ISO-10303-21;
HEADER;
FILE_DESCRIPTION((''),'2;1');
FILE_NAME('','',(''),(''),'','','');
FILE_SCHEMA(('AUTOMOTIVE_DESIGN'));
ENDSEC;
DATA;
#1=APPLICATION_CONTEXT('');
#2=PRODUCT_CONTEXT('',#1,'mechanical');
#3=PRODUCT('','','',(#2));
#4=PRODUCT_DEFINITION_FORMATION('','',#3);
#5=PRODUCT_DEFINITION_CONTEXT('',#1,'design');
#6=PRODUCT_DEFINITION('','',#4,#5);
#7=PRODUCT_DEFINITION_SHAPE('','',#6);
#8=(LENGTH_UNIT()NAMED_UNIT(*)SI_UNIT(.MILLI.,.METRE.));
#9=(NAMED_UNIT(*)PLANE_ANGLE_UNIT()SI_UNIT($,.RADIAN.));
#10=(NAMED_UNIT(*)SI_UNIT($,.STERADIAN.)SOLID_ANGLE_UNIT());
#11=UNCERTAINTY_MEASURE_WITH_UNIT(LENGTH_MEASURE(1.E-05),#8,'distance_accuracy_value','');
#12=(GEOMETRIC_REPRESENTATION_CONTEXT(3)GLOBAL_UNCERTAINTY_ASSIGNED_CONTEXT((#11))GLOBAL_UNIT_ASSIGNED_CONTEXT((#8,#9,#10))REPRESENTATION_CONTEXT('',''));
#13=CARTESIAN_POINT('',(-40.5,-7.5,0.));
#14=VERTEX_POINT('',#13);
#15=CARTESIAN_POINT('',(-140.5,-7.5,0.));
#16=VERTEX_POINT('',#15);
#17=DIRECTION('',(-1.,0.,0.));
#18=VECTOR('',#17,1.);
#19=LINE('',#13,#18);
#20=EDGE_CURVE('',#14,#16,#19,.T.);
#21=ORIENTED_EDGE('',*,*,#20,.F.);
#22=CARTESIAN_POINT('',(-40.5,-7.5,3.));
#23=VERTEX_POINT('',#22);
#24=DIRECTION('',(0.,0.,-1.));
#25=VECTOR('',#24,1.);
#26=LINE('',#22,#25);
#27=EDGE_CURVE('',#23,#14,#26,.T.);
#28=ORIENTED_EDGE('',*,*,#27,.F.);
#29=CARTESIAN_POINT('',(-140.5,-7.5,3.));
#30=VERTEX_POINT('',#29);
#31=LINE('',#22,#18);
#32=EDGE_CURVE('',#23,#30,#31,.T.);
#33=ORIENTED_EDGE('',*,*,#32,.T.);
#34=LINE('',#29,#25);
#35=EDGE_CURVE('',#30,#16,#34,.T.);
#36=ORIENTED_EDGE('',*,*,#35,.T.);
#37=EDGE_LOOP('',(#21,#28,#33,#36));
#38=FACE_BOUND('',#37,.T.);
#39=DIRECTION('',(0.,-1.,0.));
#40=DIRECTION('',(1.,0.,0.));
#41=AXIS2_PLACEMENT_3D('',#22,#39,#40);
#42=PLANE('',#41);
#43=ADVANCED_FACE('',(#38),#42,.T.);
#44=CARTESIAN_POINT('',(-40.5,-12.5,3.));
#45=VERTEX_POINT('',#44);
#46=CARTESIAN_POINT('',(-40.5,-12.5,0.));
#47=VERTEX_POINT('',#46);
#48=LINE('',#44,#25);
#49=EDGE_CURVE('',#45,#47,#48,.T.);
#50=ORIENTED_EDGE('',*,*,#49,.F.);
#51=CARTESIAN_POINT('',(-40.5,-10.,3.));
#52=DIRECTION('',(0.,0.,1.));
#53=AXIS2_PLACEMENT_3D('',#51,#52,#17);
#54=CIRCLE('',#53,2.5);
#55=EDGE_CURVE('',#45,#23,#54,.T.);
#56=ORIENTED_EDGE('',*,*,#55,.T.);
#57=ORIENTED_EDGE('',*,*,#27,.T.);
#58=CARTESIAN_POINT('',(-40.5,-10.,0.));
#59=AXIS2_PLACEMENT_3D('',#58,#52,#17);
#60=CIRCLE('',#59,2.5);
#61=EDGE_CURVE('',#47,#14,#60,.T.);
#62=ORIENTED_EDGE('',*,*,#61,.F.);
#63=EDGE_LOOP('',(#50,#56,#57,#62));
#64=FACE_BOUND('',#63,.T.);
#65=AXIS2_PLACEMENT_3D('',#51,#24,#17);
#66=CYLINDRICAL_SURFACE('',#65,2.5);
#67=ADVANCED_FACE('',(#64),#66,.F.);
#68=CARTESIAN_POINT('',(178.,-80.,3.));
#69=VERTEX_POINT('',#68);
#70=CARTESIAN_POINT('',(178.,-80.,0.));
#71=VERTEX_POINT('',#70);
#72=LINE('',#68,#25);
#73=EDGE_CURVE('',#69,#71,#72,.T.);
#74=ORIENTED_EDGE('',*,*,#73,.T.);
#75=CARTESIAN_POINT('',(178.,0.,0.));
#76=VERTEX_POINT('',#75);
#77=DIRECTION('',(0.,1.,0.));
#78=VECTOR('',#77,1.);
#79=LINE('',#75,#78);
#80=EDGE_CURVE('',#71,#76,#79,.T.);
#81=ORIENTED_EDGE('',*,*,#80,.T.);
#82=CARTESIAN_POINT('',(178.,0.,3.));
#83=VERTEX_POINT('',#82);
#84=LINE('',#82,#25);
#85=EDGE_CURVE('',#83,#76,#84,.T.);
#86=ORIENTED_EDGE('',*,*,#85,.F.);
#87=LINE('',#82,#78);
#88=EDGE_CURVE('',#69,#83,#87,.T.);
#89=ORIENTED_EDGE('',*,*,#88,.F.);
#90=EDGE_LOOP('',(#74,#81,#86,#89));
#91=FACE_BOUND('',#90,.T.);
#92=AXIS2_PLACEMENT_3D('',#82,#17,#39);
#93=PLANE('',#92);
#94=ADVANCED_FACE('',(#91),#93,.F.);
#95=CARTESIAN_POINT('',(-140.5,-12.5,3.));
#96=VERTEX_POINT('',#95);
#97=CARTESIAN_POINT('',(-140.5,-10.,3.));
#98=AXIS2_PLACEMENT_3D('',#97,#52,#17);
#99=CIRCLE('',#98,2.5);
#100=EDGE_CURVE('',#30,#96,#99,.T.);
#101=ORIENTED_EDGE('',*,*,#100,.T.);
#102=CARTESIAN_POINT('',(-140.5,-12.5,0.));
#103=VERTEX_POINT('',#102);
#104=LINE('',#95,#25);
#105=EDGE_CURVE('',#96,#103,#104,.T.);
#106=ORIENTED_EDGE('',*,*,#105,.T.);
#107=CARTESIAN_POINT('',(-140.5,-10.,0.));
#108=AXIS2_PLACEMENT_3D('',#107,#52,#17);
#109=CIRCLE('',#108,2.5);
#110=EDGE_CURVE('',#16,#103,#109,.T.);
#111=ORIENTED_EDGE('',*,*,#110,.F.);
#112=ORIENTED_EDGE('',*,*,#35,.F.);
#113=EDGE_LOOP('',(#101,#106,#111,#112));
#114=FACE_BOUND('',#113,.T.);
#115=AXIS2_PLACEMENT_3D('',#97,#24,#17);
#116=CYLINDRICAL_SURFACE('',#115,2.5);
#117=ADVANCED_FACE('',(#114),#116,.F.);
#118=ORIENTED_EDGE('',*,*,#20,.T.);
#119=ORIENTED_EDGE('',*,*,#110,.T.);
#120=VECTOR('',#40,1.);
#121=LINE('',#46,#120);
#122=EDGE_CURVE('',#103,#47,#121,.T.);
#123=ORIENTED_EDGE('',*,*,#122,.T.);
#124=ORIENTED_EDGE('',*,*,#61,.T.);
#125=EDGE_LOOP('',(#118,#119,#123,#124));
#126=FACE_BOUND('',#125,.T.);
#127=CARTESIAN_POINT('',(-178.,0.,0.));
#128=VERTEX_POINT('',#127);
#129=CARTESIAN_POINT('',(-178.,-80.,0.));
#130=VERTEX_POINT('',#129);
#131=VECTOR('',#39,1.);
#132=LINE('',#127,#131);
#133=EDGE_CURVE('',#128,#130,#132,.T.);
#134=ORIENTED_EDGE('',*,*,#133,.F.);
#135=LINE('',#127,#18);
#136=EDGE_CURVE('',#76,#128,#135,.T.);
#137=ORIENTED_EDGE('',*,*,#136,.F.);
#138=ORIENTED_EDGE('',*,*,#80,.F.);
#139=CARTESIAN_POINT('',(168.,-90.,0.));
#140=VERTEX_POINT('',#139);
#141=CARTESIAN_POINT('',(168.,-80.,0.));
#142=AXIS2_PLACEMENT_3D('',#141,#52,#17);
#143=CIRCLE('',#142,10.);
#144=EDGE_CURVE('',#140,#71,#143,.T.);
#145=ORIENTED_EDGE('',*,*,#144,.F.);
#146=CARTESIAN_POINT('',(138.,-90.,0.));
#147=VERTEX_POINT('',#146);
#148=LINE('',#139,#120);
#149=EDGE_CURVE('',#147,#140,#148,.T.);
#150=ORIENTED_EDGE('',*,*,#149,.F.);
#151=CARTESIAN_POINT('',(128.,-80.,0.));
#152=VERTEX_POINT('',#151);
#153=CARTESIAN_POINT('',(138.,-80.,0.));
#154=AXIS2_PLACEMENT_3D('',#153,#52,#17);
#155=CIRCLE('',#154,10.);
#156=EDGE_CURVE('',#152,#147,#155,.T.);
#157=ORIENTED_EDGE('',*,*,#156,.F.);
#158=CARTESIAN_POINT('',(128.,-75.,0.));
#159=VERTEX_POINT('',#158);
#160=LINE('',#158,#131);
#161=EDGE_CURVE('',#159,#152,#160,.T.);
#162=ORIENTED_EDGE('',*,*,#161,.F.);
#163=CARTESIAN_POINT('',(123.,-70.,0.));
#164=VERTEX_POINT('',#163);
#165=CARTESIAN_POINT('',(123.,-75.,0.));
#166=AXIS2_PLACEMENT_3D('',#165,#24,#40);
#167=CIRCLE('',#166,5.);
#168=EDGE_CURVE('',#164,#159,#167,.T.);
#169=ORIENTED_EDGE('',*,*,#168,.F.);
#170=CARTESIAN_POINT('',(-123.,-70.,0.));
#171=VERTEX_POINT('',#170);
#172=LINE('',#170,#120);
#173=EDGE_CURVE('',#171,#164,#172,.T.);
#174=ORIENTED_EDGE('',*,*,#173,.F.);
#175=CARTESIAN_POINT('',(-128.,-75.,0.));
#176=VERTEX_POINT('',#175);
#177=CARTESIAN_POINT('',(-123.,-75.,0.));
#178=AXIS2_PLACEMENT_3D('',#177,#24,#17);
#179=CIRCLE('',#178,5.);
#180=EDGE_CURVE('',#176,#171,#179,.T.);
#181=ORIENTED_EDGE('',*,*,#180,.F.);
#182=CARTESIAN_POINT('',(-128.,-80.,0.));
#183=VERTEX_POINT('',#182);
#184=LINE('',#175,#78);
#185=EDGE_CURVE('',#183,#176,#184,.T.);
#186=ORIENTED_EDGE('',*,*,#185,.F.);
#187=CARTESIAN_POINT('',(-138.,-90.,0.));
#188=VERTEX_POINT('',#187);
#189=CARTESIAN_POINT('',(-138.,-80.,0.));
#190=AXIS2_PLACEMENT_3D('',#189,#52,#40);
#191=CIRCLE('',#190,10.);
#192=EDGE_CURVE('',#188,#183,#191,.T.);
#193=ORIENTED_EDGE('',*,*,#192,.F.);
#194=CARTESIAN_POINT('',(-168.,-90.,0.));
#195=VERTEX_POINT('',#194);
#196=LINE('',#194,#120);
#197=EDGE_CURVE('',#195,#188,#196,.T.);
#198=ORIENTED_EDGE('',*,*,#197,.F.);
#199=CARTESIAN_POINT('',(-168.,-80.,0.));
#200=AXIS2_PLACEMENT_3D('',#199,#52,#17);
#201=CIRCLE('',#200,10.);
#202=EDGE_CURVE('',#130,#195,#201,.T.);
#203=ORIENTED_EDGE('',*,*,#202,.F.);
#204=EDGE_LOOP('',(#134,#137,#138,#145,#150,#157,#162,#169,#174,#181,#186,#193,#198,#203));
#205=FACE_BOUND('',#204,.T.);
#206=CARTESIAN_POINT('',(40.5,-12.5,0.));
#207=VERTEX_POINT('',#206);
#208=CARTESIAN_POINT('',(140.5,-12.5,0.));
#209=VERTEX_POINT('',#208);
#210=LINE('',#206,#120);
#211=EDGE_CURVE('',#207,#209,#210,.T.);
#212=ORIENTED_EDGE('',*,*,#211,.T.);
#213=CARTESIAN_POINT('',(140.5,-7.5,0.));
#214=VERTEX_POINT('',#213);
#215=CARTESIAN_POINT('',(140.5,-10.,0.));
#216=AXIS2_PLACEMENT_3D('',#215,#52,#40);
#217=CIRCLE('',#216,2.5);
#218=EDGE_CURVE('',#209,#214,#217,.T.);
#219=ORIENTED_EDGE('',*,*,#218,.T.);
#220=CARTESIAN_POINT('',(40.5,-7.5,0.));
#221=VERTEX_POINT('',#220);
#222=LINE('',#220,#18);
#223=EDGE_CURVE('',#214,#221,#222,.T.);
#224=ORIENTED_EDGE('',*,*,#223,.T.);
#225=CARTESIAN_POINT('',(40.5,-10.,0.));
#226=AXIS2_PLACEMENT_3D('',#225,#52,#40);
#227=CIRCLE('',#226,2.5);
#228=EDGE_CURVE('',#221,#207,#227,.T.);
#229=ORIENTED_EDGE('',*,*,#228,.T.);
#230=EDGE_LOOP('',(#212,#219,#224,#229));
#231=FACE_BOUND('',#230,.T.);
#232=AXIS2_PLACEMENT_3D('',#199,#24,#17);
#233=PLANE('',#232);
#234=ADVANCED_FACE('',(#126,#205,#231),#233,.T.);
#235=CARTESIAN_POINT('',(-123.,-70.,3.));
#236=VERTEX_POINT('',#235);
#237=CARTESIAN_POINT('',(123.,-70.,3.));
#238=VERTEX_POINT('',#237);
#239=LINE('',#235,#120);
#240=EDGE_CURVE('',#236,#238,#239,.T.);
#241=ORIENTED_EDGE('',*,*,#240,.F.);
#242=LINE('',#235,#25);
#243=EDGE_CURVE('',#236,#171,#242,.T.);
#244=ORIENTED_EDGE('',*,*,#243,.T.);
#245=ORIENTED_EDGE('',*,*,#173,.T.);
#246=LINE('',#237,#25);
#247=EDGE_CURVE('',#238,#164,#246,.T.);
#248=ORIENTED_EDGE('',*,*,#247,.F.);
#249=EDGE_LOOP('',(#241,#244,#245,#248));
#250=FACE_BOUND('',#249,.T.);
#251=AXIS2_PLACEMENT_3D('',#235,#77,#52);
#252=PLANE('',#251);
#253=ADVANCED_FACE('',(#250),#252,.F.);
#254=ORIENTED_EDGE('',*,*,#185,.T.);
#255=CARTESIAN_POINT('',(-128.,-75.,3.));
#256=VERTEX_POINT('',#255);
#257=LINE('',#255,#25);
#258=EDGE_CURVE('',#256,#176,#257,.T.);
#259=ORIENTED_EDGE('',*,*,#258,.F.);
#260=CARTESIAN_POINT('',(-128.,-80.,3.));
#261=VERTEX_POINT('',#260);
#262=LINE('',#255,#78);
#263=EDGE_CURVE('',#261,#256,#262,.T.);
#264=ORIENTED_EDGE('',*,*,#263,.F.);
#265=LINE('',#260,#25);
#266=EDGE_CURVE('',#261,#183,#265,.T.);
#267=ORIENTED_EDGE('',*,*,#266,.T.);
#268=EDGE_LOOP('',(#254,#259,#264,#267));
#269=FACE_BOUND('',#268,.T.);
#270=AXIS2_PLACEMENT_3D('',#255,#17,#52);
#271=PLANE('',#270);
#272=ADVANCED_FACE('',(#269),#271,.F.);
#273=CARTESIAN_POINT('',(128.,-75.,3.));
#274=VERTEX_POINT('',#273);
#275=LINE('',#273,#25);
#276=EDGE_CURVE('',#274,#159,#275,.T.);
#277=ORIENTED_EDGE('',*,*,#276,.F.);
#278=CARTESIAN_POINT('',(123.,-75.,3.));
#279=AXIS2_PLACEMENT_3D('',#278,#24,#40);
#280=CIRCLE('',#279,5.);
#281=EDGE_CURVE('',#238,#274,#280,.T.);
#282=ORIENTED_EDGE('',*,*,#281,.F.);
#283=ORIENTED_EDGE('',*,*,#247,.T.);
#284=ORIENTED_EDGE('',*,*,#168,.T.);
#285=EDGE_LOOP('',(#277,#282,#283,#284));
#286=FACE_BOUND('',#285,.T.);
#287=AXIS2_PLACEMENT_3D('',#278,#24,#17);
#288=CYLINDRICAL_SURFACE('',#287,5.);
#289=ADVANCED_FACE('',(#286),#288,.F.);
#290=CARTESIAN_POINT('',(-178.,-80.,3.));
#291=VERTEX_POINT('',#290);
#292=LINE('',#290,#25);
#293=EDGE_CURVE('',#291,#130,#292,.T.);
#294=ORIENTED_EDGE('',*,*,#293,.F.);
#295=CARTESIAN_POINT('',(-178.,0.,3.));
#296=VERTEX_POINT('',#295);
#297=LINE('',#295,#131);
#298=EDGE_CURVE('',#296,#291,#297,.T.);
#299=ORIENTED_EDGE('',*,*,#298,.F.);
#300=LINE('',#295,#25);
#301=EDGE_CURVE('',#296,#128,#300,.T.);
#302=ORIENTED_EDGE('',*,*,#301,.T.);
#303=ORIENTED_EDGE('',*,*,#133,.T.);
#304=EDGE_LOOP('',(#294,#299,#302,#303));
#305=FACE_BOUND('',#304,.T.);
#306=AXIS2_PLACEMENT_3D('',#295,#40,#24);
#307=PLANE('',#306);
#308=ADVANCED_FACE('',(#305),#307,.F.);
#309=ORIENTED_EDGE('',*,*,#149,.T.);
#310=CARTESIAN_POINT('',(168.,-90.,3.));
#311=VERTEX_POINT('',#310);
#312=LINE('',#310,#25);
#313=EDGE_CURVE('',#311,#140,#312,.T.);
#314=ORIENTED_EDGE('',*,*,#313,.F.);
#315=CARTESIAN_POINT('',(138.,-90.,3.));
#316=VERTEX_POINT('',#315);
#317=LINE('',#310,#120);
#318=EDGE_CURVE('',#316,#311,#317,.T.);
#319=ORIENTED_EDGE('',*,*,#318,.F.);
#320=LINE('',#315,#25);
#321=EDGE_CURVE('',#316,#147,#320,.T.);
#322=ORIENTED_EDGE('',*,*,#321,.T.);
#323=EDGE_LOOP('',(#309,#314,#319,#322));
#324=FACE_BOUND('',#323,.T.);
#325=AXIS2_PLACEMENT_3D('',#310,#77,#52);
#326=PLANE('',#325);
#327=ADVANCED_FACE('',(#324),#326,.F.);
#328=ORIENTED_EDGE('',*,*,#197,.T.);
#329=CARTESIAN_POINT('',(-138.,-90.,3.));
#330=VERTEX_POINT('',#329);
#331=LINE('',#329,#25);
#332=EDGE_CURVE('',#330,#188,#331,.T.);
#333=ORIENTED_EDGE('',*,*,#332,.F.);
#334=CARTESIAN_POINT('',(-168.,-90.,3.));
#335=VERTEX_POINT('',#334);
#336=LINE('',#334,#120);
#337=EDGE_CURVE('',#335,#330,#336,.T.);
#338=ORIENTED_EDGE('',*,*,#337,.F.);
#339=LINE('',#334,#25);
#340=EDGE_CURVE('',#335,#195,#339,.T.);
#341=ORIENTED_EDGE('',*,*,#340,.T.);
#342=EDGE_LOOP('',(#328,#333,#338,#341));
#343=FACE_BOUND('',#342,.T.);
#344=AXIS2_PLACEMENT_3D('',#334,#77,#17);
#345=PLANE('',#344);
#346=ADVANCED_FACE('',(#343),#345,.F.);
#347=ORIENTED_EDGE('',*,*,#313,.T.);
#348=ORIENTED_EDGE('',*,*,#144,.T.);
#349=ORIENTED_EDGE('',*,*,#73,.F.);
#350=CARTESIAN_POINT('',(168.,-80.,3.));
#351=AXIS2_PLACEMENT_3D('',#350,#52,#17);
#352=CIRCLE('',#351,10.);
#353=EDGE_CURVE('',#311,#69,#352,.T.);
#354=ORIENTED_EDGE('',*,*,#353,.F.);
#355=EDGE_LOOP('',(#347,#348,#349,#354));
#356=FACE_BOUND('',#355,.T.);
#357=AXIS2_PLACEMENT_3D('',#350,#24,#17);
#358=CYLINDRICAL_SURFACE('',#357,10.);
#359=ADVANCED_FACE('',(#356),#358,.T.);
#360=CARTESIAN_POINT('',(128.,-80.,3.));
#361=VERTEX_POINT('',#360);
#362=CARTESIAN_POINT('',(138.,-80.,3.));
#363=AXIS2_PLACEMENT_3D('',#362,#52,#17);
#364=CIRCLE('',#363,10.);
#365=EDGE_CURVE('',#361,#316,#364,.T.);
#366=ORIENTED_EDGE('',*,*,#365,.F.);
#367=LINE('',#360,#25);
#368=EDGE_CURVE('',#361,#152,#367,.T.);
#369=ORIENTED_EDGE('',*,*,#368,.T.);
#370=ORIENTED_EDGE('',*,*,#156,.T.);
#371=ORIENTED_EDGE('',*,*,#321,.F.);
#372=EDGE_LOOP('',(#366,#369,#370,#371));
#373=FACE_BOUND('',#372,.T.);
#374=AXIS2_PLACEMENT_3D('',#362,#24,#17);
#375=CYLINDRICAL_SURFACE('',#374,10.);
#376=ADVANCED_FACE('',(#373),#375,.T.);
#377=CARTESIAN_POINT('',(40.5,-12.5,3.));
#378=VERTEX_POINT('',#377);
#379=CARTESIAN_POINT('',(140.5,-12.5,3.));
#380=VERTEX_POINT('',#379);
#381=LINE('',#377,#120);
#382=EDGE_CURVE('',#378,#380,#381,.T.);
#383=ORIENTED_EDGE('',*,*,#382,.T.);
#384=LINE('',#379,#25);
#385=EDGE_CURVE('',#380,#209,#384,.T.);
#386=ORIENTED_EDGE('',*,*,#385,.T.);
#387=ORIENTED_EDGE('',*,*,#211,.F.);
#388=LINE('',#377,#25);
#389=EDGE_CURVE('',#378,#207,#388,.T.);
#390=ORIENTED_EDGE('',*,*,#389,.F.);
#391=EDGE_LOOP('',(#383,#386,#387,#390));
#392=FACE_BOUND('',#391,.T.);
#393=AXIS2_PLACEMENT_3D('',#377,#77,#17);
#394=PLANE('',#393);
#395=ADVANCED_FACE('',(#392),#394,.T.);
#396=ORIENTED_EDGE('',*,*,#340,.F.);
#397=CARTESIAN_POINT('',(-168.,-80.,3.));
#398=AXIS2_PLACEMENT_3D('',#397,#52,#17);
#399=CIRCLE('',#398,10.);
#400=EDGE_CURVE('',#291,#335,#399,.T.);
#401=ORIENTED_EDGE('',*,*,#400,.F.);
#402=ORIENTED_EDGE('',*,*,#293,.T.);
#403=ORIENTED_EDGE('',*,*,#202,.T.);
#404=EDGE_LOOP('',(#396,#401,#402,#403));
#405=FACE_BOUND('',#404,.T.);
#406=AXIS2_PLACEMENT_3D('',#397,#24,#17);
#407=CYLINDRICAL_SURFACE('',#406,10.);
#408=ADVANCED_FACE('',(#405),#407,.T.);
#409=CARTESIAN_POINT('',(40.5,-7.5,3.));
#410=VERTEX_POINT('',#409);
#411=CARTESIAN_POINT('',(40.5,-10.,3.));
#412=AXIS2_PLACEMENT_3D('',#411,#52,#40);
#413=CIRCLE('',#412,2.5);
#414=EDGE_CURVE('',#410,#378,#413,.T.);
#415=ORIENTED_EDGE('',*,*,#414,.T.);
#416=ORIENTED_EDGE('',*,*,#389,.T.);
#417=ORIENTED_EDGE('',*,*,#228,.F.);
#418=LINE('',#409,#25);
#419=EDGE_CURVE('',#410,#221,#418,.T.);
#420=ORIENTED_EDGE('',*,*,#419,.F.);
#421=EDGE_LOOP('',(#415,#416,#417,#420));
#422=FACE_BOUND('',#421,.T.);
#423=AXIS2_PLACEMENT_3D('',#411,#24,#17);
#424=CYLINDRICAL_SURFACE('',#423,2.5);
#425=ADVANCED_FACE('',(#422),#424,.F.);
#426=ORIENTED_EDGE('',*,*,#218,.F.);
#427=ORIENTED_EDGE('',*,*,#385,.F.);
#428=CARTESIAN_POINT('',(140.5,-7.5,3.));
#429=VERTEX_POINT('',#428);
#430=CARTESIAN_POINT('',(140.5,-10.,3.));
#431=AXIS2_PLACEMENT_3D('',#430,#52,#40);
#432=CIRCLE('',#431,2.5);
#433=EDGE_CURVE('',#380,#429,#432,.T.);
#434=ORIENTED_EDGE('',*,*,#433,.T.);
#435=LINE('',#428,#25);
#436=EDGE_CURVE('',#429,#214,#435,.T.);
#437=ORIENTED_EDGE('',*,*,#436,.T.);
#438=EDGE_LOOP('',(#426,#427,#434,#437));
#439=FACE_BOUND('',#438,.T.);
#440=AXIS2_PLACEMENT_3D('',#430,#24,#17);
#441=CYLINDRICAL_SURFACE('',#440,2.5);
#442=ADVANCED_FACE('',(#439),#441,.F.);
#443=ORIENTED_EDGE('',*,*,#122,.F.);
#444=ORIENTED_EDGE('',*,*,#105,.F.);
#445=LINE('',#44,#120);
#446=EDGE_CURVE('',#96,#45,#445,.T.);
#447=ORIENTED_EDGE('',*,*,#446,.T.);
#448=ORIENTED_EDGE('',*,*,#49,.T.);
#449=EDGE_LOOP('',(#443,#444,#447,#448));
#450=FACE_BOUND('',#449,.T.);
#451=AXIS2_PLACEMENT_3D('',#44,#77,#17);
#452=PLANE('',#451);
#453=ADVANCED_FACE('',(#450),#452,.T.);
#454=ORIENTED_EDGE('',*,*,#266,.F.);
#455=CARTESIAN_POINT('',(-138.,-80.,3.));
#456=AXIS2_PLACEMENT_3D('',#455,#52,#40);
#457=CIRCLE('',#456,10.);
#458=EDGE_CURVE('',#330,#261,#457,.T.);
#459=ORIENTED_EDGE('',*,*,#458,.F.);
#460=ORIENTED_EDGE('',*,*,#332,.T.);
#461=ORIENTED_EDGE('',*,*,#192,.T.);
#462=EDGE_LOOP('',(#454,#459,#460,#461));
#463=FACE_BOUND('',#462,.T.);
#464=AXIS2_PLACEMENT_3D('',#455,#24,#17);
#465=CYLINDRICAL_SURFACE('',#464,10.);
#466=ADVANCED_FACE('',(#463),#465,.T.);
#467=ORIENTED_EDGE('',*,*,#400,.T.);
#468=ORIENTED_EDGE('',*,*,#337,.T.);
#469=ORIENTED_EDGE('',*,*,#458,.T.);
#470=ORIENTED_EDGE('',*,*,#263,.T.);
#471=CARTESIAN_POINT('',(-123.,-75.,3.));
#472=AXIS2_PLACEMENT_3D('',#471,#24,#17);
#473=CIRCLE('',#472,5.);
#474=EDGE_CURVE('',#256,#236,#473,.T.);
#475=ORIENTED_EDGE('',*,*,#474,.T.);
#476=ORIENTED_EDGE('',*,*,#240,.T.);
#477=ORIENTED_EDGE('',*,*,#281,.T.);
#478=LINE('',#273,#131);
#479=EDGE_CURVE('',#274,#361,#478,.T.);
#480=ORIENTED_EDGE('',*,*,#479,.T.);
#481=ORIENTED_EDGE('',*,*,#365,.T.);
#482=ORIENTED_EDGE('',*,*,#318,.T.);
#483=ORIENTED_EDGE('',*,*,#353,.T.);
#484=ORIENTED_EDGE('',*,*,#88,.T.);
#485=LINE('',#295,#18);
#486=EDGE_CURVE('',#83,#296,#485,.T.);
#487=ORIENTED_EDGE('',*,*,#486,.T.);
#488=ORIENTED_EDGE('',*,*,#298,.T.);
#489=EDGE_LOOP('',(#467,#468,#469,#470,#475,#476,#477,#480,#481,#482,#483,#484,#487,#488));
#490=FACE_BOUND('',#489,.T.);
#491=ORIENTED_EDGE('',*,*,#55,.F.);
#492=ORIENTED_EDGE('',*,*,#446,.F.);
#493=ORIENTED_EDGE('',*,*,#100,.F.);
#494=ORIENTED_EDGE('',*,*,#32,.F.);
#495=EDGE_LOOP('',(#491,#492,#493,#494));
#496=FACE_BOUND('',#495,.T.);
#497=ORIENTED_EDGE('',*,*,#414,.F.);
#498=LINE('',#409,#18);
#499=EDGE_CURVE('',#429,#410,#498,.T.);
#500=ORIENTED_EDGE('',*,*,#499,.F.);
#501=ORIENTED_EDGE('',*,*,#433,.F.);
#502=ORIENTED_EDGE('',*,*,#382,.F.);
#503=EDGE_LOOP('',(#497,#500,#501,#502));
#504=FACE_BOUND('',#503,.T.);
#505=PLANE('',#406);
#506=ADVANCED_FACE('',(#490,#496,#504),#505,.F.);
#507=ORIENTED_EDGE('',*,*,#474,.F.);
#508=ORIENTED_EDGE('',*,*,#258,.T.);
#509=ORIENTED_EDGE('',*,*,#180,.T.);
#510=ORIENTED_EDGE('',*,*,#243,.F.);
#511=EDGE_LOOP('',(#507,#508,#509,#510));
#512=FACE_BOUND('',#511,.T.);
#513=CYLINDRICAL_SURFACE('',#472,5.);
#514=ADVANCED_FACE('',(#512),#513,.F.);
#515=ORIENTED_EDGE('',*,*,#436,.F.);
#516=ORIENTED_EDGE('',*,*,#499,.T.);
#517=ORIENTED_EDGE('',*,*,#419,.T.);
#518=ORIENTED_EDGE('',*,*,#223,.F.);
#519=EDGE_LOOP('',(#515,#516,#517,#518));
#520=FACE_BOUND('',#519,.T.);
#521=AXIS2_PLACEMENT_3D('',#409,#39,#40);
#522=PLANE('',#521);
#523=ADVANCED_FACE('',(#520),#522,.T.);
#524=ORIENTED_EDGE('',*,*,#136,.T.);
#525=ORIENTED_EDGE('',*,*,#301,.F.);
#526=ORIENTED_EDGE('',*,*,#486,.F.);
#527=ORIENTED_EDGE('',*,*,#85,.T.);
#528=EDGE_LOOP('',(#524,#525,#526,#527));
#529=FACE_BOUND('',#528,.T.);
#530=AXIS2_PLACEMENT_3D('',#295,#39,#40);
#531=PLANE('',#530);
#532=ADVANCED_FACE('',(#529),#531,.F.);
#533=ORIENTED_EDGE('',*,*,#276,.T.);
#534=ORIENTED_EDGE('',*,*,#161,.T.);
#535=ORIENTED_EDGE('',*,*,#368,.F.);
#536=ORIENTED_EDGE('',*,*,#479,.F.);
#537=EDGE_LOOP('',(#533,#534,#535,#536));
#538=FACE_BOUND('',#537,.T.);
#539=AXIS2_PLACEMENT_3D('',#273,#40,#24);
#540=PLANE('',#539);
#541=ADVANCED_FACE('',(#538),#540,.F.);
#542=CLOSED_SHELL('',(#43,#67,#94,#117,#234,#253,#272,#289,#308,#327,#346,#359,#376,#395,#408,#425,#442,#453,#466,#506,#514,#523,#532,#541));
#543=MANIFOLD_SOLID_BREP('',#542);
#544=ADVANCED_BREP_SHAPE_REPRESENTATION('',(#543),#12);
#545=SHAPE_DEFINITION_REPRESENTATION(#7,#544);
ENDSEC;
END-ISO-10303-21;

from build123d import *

# Parameters (mm, degrees)
BOSS_EXTRUDE1_DEPTH = 3


with BuildPart() as part:
    # Sketch1 → Boss-Extrude1 (new body)
    with BuildSketch(Plane.XY):
        with BuildLine():
            Line((-178, 0), (178, 0))
            Line((178, 0), (178, -80))
            ThreePointArc((178, -80), (175.071067812, -87.071067812), (168, -90))
            Line((168, -90), (138, -90))
            ThreePointArc((138, -90), (130.928932188, -87.071067812), (128, -80))
            Line((128, -80), (128, -75))
            ThreePointArc((128, -75), (126.535533906, -71.464466094), (123, -70))
            Line((123, -70), (-123, -70))
            ThreePointArc((-123, -70), (-126.535533906, -71.464466094), (-128, -75))
            Line((-128, -75), (-128, -80))
            ThreePointArc((-128, -80), (-130.928932188, -87.071067812), (-138, -90))
            Line((-138, -90), (-168, -90))
            ThreePointArc((-168, -90), (-175.071067812, -87.071067812), (-178, -80))
            Line((-178, -80), (-178, 0))
        make_face()
        with BuildLine():
            Line((40.5, -7.5), (140.5, -7.5))
            ThreePointArc((140.5, -7.5), (143, -10), (140.5, -12.5))
            Line((140.5, -12.5), (40.5, -12.5))
            ThreePointArc((40.5, -12.5), (38, -10), (40.5, -7.5))
        make_face(mode=Mode.SUBTRACT)
        with BuildLine():
            Line((-40.5, -7.5), (-140.5, -7.5))
            ThreePointArc((-140.5, -7.5), (-143, -10), (-140.5, -12.5))
            Line((-140.5, -12.5), (-40.5, -12.5))
            ThreePointArc((-40.5, -12.5), (-38, -10), (-40.5, -7.5))
        make_face(mode=Mode.SUBTRACT)
    extrude(amount=BOSS_EXTRUDE1_DEPTH)


solid = part.part
